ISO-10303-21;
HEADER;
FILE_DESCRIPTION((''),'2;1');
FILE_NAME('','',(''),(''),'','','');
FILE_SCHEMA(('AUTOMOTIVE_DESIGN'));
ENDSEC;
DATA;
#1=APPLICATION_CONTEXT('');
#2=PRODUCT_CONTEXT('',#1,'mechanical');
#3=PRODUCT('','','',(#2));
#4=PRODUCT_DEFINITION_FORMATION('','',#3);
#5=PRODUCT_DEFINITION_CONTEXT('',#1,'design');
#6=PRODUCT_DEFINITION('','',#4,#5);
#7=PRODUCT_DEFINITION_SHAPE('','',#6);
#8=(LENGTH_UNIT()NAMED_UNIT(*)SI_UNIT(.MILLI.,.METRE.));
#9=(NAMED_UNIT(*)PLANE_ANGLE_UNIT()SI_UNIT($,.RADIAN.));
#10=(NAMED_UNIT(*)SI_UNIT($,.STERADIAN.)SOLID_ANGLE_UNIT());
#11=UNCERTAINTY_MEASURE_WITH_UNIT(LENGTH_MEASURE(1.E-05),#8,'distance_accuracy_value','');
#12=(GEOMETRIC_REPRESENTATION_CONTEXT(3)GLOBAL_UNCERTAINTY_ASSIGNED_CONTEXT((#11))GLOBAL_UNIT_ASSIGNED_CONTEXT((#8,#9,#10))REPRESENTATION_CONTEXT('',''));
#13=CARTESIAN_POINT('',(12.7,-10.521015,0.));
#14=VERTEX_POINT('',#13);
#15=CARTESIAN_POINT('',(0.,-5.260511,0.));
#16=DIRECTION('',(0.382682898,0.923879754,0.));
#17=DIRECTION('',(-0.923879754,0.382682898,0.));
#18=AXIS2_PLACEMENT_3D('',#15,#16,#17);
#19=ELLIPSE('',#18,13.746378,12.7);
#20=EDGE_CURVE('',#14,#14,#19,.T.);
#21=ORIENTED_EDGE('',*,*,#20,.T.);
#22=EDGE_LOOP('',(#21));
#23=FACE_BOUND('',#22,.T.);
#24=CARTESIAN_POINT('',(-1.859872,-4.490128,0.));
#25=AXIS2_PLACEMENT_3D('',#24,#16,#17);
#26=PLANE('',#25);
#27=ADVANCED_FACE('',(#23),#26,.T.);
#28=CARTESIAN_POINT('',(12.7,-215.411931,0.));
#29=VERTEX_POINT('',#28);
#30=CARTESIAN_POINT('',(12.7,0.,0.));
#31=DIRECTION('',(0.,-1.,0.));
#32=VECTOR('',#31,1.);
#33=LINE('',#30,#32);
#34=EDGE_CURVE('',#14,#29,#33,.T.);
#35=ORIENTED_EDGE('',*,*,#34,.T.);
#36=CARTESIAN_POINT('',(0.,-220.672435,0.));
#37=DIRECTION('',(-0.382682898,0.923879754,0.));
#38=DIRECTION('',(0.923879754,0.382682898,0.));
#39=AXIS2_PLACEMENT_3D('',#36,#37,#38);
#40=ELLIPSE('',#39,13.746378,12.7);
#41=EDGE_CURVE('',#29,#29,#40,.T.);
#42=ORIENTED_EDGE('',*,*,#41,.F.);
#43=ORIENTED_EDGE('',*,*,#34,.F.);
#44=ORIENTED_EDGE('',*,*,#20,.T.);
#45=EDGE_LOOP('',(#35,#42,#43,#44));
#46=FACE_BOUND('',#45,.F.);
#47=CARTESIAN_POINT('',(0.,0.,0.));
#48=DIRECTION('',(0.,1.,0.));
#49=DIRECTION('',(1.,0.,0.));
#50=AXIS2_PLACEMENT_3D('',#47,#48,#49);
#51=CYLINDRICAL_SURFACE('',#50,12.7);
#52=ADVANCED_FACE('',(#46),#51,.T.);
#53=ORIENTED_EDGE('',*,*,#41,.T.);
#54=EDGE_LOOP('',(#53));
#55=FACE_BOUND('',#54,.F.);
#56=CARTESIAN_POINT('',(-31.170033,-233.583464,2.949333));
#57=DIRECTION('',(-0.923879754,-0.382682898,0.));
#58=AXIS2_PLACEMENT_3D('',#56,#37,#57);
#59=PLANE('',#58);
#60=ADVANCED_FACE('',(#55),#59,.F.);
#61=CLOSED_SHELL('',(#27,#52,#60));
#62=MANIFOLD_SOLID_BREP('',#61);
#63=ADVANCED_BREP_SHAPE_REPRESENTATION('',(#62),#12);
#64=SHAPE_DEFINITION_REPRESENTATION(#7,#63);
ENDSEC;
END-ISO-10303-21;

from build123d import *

# Parameters (mm, degrees)
F1_R      = 12.7
F2_DEPTH  = 225.933
F6_W      = 114.097729
F6_H      = 88.5094
F7_DEPTH  = 25.4
F11_W     = 145.65833
F11_H     = 82.475946
F12_DEPTH = 25.4


with BuildPart() as f2:
    # F1 (on face) → F2 (new body)
    with BuildSketch(Plane.XZ):
        Circle(F1_R)
    extrude(amount=F2_DEPTH)

    # F6 (on face) → F7 (cut)
    with BuildSketch(Plane(origin=(78.019506, -188.35575, 0), x_dir=(-0.92388, -0.382683, 0), z_dir=(-0.382683, 0.92388, 0))):
        with Locations((118.185877, 2.949333)):
            Rectangle(F6_W, F6_H)
    extrude(amount=-F7_DEPTH, mode=Mode.SUBTRACT)

    # F11 (on face) → F12 (cut)
    with BuildSketch(Plane(origin=(-1.859872, -4.490128, 0), x_dir=(-0.92388, 0.382683, 0), z_dir=(0.382683, 0.92388, 0))):
        Rectangle(F11_W, F11_H)
    extrude(amount=F12_DEPTH, mode=Mode.SUBTRACT)


solid = f2.part
